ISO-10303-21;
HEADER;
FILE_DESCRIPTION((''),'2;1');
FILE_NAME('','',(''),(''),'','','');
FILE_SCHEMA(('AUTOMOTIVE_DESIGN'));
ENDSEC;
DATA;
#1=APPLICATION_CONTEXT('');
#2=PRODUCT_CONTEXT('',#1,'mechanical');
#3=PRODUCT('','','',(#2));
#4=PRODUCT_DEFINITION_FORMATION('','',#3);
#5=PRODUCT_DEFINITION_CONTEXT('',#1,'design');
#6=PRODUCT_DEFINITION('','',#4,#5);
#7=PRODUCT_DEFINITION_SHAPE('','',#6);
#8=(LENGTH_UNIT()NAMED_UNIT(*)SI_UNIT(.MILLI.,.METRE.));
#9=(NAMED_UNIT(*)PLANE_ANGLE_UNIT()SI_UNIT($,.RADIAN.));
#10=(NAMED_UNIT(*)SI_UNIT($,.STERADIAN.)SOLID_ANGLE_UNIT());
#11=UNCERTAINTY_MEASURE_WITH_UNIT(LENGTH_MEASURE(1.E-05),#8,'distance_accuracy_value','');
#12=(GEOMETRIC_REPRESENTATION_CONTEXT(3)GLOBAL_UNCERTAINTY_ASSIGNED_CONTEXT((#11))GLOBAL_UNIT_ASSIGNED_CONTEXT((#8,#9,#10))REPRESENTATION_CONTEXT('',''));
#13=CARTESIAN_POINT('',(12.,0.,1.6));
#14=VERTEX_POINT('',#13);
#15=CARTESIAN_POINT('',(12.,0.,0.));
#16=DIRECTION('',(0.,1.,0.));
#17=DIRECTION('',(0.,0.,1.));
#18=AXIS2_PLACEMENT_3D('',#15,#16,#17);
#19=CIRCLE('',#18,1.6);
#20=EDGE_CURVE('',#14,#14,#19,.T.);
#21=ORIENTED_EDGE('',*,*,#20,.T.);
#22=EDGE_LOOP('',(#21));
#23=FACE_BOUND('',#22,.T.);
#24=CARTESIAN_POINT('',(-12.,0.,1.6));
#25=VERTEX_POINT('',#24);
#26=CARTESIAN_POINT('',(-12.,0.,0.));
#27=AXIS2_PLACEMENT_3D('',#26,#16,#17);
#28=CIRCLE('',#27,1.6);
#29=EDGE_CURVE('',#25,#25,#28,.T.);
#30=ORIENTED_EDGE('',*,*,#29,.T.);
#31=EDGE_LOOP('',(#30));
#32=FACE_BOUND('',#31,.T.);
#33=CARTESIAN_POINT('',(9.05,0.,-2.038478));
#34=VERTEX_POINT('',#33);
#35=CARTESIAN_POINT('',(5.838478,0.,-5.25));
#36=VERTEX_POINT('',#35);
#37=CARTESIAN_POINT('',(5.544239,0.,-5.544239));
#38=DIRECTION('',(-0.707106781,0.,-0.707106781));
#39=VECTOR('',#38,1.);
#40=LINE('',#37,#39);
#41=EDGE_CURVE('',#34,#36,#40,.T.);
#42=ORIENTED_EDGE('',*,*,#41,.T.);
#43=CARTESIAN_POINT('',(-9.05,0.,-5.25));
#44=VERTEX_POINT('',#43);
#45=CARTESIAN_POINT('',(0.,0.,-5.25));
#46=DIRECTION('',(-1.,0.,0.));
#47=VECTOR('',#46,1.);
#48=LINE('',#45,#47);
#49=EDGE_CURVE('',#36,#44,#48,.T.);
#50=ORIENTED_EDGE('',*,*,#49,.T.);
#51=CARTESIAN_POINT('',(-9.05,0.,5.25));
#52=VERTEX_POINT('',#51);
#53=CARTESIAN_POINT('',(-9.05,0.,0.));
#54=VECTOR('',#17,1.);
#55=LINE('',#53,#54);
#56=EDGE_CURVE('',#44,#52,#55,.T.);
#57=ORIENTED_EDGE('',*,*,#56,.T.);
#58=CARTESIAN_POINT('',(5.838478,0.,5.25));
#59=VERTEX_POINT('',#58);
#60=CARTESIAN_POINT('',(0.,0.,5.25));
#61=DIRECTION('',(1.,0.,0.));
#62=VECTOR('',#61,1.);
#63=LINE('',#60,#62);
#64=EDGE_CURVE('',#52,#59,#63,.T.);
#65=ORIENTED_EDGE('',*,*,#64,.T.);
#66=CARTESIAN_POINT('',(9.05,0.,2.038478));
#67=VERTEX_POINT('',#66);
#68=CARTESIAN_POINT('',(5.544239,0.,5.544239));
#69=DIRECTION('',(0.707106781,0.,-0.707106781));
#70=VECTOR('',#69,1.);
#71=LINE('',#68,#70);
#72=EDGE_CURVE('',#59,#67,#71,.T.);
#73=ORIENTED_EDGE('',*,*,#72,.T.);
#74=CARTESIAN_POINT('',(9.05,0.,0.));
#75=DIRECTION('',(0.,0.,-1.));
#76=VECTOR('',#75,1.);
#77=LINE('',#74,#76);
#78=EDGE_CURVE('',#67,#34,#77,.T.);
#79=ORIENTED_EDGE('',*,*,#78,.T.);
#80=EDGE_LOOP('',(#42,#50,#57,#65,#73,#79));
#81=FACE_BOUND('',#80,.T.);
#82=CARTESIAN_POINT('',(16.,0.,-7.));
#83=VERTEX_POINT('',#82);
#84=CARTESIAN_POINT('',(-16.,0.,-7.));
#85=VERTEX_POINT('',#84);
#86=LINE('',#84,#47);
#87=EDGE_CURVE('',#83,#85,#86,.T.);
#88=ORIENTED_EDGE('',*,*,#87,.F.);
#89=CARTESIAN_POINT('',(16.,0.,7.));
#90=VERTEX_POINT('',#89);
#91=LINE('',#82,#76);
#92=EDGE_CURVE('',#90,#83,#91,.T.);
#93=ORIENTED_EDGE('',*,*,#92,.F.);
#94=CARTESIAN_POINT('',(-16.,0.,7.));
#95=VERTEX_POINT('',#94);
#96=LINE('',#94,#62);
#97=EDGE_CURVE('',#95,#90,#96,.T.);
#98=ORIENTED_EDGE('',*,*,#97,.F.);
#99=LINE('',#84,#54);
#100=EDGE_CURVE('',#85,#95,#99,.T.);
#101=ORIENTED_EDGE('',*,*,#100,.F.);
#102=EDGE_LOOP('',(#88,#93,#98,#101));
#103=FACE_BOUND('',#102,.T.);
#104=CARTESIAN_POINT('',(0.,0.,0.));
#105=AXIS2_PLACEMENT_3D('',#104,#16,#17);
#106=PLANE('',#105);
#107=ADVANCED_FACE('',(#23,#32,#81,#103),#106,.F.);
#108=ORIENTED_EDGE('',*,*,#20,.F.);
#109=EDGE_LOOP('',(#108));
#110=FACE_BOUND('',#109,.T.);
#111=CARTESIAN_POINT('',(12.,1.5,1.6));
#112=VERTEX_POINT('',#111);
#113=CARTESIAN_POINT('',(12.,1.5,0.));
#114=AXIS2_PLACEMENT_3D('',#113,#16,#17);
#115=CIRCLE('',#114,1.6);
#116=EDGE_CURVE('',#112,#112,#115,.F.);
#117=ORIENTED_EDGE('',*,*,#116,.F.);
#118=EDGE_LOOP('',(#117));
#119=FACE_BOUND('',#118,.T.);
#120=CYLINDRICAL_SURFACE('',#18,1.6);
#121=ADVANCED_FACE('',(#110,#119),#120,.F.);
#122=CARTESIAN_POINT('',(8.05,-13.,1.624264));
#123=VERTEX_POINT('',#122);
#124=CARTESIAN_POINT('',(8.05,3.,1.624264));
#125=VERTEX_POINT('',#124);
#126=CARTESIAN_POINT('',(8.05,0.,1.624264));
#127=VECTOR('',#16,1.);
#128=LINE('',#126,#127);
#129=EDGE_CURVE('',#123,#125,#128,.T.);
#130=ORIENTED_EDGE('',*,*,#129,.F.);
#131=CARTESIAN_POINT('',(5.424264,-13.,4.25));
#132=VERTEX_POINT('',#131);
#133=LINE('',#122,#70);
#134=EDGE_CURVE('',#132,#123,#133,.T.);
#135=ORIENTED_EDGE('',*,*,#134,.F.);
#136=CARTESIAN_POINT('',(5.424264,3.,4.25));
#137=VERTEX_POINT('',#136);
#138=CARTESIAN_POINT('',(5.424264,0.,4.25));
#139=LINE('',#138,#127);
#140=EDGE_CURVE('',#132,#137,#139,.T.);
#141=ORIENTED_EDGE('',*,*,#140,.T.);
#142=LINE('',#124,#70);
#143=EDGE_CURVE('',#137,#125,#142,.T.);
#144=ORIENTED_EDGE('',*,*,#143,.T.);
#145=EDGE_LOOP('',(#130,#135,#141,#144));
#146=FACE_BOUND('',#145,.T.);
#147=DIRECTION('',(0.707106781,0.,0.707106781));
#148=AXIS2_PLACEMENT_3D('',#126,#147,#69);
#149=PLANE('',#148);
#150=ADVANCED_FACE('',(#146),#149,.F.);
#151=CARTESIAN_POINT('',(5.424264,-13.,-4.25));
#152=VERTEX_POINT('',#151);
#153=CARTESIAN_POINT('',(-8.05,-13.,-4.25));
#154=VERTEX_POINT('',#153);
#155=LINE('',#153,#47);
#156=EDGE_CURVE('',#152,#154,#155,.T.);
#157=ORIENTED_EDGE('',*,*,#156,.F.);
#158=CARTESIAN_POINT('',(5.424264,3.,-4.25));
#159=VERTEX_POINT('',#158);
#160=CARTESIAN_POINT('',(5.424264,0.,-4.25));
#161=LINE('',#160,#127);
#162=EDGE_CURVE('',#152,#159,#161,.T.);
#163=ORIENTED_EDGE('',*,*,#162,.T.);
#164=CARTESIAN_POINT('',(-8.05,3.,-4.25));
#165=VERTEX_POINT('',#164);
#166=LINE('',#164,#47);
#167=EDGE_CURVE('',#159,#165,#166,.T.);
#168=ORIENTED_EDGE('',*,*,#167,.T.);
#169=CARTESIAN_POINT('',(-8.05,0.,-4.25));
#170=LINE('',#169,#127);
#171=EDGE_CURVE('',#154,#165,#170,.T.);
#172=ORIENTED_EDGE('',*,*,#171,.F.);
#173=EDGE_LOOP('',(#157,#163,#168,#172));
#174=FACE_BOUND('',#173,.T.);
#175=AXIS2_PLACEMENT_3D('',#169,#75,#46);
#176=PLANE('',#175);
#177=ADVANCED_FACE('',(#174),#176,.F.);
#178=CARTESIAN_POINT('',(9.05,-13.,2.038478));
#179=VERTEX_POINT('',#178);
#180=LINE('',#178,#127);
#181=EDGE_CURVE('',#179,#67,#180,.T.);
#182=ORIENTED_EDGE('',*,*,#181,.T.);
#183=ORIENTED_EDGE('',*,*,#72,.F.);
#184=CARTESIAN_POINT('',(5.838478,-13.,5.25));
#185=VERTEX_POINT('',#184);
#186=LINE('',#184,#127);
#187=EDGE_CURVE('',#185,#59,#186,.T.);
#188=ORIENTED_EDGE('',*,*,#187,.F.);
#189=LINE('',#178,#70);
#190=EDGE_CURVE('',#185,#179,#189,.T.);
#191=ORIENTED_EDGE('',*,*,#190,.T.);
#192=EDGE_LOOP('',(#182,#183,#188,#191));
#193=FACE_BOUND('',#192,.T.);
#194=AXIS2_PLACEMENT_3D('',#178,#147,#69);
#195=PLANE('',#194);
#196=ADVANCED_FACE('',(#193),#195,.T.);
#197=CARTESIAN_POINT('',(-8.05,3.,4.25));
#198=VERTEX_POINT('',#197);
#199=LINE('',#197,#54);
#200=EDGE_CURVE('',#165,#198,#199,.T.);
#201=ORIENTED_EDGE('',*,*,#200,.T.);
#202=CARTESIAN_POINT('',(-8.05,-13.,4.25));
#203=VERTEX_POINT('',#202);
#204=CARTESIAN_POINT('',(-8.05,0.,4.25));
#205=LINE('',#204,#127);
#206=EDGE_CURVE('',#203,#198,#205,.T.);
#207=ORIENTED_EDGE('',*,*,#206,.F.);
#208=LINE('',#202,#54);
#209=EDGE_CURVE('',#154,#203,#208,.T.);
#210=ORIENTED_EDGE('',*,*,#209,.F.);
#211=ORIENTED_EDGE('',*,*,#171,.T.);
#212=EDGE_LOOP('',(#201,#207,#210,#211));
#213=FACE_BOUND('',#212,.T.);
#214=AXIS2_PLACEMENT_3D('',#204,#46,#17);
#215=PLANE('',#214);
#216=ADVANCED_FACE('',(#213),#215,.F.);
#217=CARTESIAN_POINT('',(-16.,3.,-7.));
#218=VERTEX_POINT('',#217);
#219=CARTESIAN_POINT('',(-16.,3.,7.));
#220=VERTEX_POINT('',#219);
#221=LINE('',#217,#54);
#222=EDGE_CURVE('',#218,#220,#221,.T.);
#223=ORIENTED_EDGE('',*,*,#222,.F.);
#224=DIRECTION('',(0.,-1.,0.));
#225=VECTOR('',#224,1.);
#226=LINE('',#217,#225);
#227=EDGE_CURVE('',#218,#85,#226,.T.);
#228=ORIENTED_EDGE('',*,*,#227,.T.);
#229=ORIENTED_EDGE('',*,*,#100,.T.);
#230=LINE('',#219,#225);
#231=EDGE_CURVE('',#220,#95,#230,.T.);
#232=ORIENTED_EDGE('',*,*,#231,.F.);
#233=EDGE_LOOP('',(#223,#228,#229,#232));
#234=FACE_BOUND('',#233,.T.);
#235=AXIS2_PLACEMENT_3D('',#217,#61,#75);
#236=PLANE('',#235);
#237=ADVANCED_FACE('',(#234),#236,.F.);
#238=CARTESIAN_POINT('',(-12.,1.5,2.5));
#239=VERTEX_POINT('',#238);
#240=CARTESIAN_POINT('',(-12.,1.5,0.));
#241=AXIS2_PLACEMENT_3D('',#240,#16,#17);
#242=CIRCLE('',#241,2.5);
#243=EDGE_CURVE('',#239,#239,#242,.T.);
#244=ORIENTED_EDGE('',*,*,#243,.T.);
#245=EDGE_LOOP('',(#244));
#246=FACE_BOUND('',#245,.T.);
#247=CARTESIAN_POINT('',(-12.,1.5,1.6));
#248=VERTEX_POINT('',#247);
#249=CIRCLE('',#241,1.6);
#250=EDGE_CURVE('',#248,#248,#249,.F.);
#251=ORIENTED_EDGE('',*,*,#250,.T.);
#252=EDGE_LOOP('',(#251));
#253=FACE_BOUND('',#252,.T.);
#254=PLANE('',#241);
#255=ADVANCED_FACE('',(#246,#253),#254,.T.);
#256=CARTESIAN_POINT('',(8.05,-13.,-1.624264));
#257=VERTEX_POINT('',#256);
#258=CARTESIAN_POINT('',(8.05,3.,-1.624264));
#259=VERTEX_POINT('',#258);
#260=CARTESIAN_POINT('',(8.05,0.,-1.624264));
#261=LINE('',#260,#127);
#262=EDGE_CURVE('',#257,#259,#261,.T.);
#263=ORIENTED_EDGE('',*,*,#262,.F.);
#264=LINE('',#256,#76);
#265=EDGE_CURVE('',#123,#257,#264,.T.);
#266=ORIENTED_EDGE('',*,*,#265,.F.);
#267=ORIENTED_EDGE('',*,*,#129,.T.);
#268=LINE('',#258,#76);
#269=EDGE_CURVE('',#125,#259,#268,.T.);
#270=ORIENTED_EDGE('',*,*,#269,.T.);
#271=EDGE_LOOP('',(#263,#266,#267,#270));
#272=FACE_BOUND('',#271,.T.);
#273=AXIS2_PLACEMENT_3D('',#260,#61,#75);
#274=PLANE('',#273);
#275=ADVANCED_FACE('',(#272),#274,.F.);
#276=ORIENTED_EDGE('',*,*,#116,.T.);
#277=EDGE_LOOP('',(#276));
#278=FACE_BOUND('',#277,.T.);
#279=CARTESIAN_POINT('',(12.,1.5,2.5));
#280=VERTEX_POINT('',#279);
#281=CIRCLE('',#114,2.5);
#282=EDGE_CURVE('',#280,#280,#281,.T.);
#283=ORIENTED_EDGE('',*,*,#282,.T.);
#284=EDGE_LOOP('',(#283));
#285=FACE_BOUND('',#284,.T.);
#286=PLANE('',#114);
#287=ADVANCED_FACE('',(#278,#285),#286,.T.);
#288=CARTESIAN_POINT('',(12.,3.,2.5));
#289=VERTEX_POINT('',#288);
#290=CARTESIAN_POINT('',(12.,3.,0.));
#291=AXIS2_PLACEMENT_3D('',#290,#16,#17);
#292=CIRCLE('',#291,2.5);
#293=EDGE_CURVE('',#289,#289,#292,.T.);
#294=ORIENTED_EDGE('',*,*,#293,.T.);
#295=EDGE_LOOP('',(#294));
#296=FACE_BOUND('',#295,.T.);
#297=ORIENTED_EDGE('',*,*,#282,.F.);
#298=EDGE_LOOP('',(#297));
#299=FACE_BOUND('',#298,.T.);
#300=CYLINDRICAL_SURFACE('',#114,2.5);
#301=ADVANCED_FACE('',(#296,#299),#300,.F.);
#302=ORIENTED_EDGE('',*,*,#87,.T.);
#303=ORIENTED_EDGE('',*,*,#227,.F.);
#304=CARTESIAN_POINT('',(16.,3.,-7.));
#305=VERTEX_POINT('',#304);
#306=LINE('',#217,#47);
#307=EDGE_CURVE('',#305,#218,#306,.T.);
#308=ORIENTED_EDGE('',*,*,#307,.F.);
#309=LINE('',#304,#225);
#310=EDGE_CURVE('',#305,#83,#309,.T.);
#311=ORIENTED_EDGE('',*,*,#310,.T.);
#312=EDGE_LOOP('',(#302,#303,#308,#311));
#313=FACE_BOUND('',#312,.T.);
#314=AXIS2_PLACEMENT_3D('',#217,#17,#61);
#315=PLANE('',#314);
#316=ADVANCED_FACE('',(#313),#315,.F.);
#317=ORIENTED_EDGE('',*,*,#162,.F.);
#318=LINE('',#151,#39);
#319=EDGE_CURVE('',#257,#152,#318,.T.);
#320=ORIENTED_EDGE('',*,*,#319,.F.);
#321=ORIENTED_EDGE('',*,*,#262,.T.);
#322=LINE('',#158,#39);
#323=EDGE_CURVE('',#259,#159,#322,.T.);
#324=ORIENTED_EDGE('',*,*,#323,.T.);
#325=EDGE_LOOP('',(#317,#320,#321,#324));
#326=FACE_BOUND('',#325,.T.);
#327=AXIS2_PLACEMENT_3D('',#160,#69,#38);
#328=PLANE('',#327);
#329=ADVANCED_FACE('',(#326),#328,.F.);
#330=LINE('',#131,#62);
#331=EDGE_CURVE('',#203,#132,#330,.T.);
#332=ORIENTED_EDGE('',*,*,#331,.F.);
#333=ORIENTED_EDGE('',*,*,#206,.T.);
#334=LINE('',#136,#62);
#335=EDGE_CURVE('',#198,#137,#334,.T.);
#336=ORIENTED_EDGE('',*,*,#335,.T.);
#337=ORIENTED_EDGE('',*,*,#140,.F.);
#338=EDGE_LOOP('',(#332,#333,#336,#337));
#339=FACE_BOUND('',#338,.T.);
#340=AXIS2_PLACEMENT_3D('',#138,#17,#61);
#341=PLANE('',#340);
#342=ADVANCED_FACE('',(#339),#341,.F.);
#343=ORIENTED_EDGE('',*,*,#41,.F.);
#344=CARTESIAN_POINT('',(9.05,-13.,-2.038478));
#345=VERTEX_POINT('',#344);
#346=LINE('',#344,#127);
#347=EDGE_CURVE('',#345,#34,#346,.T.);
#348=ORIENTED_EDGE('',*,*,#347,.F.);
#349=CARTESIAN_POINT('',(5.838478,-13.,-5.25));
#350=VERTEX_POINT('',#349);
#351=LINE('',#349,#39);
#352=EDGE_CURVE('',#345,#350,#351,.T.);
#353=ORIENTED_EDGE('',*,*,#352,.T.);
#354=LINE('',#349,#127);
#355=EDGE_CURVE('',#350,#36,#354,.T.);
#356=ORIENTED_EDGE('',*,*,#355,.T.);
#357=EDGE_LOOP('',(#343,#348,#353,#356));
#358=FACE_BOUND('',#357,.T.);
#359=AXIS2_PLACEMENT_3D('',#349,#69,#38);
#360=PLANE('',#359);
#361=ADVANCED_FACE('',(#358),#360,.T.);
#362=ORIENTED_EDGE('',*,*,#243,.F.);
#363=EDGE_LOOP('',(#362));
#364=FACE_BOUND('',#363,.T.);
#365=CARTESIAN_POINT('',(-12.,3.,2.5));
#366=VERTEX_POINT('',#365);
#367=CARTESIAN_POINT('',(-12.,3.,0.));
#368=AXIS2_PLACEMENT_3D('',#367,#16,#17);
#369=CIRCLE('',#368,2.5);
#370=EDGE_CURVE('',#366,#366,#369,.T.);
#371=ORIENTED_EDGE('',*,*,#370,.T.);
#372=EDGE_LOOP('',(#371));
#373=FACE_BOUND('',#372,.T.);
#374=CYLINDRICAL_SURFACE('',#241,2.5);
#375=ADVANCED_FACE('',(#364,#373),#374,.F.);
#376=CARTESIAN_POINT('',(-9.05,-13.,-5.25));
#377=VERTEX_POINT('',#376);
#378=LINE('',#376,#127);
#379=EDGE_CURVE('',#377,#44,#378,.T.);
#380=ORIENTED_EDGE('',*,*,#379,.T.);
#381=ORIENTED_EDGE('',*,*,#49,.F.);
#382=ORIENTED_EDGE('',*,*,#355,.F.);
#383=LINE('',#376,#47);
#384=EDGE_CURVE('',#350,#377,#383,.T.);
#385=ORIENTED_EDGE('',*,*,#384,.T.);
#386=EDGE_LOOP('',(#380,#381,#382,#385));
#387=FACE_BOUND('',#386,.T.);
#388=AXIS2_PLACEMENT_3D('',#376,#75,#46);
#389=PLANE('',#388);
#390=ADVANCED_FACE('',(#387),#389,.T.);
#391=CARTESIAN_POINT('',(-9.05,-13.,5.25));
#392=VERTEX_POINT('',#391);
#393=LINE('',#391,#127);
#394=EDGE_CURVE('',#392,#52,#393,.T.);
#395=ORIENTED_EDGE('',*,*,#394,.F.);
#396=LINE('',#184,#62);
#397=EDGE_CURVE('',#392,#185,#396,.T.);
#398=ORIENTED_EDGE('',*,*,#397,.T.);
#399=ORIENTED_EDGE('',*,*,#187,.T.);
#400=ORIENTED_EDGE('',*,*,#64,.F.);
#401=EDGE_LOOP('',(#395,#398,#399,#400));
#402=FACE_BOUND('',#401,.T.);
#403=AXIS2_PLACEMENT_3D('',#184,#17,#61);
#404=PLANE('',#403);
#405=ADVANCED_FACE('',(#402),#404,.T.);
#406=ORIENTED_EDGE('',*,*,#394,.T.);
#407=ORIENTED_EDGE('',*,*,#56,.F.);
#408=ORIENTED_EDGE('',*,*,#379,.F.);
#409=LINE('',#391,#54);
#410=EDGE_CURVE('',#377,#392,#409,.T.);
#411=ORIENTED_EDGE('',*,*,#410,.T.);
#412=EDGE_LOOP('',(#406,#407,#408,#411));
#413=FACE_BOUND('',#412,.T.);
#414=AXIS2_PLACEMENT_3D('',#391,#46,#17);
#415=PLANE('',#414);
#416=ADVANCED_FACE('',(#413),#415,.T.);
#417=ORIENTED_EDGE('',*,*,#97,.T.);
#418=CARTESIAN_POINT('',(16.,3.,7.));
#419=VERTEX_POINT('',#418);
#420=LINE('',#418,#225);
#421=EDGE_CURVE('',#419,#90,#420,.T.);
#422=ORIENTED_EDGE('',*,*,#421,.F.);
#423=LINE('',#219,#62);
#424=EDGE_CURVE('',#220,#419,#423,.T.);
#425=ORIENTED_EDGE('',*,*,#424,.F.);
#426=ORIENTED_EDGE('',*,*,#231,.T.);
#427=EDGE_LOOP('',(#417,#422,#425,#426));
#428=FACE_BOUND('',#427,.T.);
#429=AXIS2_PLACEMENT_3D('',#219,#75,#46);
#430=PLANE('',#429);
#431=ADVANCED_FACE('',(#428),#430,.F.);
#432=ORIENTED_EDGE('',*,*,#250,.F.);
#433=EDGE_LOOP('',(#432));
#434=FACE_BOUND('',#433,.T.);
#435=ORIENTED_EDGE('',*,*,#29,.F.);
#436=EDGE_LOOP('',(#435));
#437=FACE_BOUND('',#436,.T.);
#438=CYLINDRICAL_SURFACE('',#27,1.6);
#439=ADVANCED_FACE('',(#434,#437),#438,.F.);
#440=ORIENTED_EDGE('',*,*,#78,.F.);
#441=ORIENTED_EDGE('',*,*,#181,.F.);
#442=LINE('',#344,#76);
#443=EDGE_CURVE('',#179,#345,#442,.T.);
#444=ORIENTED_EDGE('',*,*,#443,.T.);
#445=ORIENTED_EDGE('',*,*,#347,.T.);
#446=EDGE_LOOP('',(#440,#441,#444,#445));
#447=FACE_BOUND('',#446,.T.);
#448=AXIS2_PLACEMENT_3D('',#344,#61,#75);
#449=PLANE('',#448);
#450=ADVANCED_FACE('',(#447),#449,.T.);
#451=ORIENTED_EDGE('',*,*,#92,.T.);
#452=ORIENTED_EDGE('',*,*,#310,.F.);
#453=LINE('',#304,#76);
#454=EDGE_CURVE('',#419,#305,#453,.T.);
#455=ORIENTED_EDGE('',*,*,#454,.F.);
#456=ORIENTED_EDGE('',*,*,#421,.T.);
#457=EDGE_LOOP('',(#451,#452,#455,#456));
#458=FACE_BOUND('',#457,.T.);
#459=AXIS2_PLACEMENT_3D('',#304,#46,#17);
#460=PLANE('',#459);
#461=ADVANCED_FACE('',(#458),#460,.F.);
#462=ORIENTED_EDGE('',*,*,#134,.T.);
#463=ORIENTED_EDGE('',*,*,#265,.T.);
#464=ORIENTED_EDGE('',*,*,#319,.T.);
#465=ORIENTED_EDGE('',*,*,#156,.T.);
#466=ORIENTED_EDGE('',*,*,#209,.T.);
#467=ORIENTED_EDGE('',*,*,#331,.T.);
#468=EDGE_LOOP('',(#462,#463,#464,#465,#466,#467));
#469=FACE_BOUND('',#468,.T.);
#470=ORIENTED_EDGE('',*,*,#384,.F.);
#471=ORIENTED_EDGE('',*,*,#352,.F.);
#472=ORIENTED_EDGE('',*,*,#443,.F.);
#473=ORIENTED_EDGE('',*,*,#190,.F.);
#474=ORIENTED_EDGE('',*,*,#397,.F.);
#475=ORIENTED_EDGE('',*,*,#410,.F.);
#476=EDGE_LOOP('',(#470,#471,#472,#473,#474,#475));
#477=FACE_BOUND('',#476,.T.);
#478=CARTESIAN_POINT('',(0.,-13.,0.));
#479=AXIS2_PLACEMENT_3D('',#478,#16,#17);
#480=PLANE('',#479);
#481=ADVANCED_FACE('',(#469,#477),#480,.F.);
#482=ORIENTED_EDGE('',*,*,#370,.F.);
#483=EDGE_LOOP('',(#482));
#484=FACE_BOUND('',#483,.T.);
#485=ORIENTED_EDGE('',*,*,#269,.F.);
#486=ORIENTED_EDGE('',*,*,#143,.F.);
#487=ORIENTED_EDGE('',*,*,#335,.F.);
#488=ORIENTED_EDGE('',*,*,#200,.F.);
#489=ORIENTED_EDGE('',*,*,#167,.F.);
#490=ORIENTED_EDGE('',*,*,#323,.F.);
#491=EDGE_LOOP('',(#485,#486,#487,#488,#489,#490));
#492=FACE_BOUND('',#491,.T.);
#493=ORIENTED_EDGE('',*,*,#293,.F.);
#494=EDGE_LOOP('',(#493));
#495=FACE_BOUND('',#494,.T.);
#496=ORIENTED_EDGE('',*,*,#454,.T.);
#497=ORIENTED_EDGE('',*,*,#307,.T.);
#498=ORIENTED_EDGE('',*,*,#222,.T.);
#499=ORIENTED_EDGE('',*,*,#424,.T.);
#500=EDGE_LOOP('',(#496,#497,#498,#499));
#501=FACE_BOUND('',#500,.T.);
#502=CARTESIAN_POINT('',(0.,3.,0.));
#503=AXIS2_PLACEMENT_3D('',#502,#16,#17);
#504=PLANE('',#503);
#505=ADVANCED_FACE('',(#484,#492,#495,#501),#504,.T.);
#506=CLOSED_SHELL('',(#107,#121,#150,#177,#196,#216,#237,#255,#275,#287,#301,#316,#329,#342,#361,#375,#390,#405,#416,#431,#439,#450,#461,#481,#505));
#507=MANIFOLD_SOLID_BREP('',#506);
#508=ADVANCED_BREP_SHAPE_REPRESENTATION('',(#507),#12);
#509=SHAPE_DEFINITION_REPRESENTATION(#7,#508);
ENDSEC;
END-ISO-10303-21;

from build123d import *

# Parameters (mm, degrees)
SKETCH1_W           = 32
SKETCH1_H           = 14
BOSS_EXTRUDE1_DEPTH = 3
CUT_EXTRUDE1_DEPTH  = 3
BOSS_EXTRUDE2_DEPTH = 16
SKETCH4_R           = 1.6
CUT_EXTRUDE2_DEPTH  = 3
SKETCH5_R           = 2.5
CUT_EXTRUDE3_DEPTH  = 1.5


with BuildPart() as part:
    # Sketch1 → Boss-Extrude1 (new body)
    with BuildSketch(Plane(origin=(0, 0, 0), x_dir=(1, 0, 0), z_dir=(0, 1, 0))):
        Rectangle(SKETCH1_W, SKETCH1_H)
    extrude(amount=BOSS_EXTRUDE1_DEPTH)

    # Sketch2 → Cut-Extrude1 (cut)
    with BuildSketch(Plane(origin=(0, 3, 0), x_dir=(1, 0, 0), z_dir=(0, 1, 0))):
        Polygon((5.424264069, -4.25), (-8.05, -4.25), (-8.05, 4.25), (5.424264069, 4.25), (8.05, 1.624264069), (8.05, -1.624264069), align=None)
    extrude(amount=-CUT_EXTRUDE1_DEPTH, mode=Mode.SUBTRACT)

    # Sketch3 → Boss-Extrude2 (add)
    with BuildSketch(Plane(origin=(0, 3, 0), x_dir=(1, 0, 0), z_dir=(0, 1, 0))):
        Polygon((5.838477631, -5.25), (-9.05, -5.25), (-9.05, 5.25), (5.838477631, 5.25), (9.05, 2.038477631), (9.05, -2.038477631), align=None)
        Polygon((-8.05, -4.25), (-8.05, 4.25), (5.424264069, 4.25), (8.05, 1.624264069), (8.05, -1.624264069), (5.424264069, -4.25), align=None, mode=Mode.SUBTRACT)
    extrude(amount=-BOSS_EXTRUDE2_DEPTH)

    # Sketch4 → Cut-Extrude2 (cut)
    with BuildSketch(Plane(origin=(0, 3, 0), x_dir=(1, 0, 0), z_dir=(0, 1, 0))):
        with Locations(Location((-12, 0, 0), (0, 0, 270))):
            Circle(SKETCH4_R)
        with Locations(Location((12, 0, 0), (0, 0, 270))):
            Circle(SKETCH4_R)
    extrude(amount=-CUT_EXTRUDE2_DEPTH, mode=Mode.SUBTRACT)

    # Sketch5 → Cut-Extrude3 (cut)
    with BuildSketch(Plane(origin=(0, 3, 0), x_dir=(1, 0, 0), z_dir=(0, 1, 0))):
        with Locations(Location((-12, 0, 0), (0, 0, 270))):
            Circle(SKETCH5_R)
        with Locations(Location((12, 0, 0), (0, 0, 270))):
            Circle(SKETCH5_R)
    extrude(amount=-CUT_EXTRUDE3_DEPTH, mode=Mode.SUBTRACT)


solid = part.part
